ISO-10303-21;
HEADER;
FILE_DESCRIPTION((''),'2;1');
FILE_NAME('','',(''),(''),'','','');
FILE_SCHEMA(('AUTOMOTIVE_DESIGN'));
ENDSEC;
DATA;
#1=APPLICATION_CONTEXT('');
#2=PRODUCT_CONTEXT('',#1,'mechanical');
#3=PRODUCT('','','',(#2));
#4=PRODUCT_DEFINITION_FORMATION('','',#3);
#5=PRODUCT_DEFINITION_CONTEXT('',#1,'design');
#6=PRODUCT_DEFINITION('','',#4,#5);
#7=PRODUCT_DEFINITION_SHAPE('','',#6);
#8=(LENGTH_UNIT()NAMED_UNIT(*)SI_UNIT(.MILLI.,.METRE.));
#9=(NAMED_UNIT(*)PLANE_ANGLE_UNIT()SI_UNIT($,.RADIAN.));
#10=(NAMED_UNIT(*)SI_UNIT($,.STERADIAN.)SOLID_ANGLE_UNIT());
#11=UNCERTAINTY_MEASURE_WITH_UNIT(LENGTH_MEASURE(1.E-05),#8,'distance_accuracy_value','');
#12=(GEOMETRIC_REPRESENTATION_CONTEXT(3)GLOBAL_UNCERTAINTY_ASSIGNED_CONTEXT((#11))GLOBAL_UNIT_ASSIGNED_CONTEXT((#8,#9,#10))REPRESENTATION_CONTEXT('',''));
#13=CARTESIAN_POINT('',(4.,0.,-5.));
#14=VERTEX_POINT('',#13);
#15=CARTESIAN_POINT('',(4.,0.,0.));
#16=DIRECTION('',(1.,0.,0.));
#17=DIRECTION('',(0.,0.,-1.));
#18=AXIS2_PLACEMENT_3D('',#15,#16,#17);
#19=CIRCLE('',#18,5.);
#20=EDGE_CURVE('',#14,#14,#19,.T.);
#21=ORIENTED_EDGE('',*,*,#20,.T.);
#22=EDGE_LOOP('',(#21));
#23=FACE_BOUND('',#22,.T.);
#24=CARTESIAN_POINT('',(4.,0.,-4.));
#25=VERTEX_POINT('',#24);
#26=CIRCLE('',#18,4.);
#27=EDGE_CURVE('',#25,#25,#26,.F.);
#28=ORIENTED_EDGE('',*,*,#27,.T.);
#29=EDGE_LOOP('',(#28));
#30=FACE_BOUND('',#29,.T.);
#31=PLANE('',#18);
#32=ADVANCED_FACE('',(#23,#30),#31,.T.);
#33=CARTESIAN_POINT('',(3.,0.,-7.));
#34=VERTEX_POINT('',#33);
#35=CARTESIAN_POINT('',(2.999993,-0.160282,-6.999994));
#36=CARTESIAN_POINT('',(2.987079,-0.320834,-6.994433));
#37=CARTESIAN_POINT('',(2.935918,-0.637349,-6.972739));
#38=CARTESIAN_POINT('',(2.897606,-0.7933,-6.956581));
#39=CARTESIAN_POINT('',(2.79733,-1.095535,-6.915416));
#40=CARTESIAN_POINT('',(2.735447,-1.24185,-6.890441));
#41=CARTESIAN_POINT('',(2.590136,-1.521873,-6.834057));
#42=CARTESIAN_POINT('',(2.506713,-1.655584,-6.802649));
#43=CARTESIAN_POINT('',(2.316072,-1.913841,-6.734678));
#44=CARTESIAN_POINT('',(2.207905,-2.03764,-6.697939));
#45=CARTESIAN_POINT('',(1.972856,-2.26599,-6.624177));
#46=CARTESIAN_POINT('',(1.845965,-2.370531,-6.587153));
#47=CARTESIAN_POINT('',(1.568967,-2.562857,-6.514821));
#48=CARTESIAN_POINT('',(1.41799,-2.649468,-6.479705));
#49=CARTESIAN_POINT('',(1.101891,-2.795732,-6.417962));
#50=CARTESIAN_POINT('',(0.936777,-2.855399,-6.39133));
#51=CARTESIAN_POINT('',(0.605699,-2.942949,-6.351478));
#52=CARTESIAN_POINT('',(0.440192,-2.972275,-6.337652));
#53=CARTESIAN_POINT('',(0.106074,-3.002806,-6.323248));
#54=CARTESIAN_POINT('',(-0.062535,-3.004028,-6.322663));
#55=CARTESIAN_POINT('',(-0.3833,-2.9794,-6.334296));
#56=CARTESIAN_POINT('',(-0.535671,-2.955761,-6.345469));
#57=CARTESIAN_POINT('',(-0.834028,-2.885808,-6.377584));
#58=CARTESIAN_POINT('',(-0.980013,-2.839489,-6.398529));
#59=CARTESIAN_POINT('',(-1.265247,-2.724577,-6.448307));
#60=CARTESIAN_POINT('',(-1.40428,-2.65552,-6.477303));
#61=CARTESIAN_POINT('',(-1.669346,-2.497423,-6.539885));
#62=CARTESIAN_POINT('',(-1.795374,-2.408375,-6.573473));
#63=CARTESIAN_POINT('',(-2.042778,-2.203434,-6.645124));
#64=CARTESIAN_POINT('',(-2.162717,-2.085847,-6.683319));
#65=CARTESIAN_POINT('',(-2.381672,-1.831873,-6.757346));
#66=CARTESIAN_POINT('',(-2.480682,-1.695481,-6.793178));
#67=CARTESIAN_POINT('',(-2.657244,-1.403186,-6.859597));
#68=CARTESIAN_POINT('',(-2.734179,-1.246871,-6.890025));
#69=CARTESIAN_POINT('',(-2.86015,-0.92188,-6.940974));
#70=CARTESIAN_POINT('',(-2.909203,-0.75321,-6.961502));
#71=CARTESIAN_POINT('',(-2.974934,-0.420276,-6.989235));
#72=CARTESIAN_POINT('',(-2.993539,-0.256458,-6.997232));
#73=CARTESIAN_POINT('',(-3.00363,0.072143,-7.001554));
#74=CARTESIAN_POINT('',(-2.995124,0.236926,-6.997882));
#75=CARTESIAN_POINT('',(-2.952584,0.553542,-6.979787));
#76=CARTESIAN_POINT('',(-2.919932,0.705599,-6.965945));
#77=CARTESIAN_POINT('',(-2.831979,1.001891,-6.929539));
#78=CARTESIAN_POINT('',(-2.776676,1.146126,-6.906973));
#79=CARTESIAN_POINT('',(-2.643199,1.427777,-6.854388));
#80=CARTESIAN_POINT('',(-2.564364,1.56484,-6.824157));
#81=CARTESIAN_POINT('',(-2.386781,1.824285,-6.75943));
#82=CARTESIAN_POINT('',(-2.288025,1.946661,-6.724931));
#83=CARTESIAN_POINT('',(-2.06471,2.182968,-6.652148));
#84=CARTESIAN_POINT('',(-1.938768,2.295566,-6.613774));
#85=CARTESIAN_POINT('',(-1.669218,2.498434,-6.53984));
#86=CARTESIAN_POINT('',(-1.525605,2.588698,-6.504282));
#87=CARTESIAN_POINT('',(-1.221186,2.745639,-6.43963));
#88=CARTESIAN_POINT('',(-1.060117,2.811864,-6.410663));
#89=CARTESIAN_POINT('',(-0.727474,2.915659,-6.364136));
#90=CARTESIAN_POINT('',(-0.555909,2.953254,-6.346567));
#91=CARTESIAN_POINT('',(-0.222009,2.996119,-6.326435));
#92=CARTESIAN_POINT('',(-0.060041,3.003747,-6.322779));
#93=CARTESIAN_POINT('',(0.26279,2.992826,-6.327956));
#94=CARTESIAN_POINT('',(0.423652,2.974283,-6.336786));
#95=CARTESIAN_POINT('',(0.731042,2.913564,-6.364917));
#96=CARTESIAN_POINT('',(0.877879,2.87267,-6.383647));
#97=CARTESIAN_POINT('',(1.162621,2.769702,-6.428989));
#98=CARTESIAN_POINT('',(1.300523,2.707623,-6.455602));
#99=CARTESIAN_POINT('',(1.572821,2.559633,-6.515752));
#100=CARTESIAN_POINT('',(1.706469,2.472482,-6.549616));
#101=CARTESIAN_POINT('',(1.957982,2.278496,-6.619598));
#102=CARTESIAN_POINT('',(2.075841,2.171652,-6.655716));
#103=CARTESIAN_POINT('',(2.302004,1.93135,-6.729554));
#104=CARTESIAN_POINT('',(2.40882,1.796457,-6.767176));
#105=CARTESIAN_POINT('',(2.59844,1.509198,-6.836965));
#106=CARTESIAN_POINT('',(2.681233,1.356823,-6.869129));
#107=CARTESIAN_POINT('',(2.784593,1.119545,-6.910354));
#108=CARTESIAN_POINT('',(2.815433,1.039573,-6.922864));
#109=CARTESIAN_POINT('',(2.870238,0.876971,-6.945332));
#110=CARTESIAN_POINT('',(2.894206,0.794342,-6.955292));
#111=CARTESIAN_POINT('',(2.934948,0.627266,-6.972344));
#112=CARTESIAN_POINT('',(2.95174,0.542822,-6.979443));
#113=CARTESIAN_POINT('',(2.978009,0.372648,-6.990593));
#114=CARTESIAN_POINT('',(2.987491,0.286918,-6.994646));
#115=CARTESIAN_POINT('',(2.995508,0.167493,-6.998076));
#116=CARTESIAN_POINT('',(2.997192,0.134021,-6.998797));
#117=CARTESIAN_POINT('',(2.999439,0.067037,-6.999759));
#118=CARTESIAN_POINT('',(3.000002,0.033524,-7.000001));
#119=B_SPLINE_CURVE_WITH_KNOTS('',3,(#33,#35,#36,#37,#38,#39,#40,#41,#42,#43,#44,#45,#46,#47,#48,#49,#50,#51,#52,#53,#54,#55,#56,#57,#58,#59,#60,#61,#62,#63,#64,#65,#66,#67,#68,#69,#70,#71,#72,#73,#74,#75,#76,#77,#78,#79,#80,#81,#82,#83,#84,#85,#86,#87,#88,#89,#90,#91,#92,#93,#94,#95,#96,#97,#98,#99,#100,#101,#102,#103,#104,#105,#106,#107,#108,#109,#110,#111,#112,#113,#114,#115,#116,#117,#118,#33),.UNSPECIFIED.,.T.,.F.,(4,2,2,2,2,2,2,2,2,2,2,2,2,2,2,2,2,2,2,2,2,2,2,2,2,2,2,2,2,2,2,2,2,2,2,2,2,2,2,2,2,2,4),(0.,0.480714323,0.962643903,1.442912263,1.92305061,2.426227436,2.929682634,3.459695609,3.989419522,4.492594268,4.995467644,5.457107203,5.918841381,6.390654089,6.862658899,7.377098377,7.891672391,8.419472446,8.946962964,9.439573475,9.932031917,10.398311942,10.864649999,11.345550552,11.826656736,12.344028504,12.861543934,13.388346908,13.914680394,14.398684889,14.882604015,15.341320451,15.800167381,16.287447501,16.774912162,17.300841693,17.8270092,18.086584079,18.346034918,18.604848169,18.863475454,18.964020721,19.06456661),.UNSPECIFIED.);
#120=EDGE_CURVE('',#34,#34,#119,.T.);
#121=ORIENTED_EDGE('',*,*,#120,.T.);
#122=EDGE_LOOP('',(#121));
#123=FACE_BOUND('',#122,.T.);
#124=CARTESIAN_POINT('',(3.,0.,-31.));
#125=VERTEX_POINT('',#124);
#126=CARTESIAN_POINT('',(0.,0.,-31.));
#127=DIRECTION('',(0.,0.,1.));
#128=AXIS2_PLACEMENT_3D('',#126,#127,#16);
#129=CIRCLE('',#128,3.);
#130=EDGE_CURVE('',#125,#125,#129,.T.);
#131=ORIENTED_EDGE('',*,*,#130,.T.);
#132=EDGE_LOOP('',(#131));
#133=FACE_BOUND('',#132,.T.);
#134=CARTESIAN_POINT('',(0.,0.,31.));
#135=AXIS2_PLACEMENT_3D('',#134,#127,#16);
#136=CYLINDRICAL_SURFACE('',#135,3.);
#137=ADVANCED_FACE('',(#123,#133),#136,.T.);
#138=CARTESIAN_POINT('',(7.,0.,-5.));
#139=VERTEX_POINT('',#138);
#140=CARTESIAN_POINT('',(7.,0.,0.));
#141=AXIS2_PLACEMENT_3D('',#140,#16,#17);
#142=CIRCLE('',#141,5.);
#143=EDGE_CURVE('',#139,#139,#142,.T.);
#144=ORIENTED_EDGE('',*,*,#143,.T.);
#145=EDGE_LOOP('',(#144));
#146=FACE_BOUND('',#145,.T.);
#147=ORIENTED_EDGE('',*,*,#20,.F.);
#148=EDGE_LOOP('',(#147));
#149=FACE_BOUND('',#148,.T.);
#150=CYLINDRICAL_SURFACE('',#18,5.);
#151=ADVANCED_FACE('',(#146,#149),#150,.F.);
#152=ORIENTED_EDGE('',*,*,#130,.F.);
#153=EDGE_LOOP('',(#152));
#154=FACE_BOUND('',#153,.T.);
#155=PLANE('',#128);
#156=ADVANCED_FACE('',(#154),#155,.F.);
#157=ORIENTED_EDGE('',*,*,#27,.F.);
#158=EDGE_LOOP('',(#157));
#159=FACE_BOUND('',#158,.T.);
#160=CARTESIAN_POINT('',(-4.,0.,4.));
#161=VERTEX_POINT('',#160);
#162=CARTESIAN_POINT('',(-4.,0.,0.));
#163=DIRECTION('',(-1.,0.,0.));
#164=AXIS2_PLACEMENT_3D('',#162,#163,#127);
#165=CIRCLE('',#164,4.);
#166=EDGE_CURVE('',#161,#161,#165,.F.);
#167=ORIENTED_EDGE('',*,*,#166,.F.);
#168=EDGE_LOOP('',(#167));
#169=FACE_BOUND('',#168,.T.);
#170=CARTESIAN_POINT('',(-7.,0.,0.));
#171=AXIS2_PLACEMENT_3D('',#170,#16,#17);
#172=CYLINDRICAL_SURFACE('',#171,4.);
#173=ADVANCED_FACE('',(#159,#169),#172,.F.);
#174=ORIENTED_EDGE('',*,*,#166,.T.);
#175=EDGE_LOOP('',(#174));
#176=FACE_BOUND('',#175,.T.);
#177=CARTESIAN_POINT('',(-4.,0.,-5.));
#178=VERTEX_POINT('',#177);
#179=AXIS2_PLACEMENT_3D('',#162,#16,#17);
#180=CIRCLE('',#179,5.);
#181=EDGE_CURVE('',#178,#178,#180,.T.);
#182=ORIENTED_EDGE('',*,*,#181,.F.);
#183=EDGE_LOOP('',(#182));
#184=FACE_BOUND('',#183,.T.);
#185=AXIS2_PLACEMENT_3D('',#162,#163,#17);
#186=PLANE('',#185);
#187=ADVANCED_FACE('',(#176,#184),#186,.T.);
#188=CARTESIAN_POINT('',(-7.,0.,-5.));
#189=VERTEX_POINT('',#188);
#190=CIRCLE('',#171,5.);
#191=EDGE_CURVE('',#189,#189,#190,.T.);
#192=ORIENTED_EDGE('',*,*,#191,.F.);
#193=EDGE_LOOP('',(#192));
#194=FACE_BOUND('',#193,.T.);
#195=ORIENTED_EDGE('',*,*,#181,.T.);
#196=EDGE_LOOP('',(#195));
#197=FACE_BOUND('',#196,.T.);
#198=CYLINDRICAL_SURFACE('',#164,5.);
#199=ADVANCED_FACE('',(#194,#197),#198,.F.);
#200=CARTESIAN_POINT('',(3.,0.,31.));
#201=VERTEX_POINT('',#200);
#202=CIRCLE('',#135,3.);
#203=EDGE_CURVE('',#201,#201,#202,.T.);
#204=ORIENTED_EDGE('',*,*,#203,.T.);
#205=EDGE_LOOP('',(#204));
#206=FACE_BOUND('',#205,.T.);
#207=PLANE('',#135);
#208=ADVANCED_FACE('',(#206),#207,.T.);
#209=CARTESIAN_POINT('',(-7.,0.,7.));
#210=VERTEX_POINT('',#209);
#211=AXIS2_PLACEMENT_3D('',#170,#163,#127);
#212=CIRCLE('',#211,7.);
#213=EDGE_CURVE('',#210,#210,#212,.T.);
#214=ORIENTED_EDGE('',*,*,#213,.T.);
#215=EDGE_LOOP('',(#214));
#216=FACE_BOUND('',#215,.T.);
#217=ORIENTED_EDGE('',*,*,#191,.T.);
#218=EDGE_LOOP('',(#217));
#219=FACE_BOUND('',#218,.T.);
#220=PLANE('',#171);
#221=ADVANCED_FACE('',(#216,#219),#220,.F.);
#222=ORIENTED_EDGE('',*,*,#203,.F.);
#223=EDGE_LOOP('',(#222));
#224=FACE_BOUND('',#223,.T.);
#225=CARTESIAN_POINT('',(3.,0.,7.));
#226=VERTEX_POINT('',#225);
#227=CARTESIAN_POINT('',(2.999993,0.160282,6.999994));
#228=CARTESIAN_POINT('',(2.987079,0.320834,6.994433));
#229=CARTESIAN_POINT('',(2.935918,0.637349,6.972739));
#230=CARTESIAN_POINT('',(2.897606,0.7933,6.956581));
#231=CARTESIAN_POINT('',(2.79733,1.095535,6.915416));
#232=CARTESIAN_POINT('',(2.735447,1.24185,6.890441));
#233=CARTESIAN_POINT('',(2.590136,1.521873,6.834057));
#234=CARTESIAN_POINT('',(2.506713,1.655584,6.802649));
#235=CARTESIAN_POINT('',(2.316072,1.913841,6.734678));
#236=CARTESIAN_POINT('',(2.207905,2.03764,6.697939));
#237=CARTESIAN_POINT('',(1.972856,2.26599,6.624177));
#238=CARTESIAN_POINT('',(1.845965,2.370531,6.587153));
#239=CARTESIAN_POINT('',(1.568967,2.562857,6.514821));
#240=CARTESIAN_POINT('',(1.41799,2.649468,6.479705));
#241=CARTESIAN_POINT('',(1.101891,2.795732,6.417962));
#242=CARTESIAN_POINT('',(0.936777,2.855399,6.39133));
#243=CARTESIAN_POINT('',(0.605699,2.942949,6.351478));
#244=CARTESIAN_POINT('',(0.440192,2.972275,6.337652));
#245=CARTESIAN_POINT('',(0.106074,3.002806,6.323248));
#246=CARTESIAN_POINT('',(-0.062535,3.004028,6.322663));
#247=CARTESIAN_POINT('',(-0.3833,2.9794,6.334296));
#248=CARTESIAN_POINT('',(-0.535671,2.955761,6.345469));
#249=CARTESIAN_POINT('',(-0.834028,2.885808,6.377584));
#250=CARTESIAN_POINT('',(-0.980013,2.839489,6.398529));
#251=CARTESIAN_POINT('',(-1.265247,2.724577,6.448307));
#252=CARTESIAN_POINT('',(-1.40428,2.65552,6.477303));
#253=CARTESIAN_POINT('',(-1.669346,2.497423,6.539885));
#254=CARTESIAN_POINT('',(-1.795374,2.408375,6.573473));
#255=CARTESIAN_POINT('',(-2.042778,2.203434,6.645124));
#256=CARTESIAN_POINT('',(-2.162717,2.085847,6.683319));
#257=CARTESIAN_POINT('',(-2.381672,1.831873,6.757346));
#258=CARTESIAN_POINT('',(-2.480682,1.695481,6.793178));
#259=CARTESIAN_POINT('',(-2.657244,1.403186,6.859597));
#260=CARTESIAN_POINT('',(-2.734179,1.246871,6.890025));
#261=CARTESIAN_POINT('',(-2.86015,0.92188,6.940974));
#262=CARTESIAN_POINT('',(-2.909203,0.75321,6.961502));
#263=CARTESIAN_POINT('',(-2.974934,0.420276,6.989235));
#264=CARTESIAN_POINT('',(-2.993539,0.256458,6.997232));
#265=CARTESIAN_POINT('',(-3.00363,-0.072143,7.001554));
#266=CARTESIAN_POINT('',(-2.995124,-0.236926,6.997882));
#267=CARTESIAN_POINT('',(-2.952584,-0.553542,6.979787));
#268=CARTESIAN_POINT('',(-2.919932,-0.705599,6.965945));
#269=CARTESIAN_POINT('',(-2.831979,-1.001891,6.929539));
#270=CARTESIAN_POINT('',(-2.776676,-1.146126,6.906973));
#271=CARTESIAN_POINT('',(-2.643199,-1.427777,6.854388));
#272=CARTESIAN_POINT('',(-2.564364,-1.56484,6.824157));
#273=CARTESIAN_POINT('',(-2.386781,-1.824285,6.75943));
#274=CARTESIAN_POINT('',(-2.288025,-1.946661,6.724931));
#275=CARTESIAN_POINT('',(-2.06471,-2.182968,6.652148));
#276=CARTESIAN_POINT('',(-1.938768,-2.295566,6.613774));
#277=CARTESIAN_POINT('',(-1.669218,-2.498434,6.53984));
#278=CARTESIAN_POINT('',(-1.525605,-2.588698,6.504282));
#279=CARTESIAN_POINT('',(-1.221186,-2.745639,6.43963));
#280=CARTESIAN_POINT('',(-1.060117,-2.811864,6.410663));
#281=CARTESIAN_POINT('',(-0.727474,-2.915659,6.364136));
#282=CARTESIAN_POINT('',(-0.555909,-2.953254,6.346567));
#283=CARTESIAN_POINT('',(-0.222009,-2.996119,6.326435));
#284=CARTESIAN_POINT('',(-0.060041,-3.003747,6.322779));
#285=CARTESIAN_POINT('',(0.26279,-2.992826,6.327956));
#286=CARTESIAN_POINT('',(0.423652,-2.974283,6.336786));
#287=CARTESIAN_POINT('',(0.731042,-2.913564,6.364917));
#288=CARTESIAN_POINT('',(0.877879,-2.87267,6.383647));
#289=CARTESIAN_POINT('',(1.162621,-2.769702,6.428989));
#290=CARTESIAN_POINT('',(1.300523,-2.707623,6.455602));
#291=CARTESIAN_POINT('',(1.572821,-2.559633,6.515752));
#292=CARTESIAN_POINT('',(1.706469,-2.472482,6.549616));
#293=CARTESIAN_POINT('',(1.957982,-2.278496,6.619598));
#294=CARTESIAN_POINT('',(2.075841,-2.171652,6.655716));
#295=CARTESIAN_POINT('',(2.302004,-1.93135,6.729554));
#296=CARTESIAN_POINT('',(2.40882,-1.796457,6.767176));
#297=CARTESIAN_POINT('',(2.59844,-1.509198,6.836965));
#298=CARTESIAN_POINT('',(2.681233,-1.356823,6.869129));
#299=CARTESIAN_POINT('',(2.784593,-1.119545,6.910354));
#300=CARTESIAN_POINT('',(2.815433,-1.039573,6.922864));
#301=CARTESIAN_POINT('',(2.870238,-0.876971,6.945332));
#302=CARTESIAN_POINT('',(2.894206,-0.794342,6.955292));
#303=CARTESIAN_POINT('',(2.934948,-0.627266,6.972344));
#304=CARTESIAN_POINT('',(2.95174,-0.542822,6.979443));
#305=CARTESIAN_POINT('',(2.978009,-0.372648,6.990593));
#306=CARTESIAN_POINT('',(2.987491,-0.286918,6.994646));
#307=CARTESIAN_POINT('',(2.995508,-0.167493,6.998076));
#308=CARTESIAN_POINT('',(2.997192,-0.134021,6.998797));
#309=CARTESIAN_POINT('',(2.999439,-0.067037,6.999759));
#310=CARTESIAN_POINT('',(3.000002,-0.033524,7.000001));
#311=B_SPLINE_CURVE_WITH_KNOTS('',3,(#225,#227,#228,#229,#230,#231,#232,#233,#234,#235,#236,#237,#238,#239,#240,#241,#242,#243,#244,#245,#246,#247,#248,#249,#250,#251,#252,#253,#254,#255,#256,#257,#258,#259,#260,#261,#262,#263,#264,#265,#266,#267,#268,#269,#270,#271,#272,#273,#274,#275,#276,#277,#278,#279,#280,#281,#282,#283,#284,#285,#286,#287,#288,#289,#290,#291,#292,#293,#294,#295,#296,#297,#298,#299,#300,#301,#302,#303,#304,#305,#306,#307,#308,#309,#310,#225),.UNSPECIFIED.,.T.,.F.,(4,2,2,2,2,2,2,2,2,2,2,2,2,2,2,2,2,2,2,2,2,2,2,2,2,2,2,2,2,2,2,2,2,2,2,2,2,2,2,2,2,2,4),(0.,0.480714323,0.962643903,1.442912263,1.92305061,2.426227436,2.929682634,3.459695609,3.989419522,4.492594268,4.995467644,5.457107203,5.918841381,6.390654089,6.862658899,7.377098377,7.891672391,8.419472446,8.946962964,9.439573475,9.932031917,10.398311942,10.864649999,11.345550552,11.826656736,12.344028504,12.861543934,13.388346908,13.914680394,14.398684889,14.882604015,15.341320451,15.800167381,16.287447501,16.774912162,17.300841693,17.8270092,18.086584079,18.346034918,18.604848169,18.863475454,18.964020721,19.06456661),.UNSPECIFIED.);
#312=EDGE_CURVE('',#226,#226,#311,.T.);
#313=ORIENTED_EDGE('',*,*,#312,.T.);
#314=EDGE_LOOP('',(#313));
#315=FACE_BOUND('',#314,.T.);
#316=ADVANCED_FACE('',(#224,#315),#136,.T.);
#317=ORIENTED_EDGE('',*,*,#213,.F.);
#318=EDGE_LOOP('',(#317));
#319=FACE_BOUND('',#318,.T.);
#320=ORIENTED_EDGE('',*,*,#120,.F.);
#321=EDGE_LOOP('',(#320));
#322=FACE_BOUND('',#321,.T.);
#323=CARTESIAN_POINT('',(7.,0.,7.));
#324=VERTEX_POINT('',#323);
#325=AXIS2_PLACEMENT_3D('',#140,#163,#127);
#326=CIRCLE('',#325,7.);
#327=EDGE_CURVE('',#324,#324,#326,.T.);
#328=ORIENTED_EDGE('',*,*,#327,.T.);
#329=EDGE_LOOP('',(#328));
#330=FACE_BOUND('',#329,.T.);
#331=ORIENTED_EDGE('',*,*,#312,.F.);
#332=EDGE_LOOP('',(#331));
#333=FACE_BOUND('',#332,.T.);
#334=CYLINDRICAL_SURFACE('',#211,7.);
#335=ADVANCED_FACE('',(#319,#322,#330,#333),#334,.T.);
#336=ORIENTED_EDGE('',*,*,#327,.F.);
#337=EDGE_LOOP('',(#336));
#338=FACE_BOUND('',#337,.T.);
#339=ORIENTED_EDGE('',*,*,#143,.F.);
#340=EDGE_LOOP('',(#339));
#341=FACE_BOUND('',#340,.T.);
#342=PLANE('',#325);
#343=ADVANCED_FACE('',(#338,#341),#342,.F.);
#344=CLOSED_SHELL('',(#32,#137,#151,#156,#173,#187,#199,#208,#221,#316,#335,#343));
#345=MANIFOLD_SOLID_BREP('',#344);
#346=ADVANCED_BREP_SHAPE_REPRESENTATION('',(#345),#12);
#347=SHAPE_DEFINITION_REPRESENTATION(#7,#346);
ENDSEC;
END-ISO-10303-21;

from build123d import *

# Parameters (mm, degrees)
SKETCH_1_W          = 14
SKETCH_1_H          = 7
SKETCH_2_W          = 62
SKETCH_2_H          = 3
SKETCH_3_R          = 4
CUT_EXTRUDE_1_DEPTH = 35.727510858
SKETCH_5_R          = 5
CUT_EXTRUDE_2_DEPTH = 3


with BuildPart() as part:
    # 草图1 → 旋转1 (revolve)
    with BuildSketch(Plane.XY, mode=Mode.PRIVATE) as revolve_1_sk:
        with Locations((0, 3.5)):
            Rectangle(SKETCH_1_W, SKETCH_1_H)
    revolve(revolve_1_sk.sketch.rotate(Axis((-7, 0, 0), (1, 0, 0)), 90), axis=Axis((-7, 0, 0), (1, 0, 0)))

    # 草图2 → 旋转3 (revolve)
    with BuildSketch(Plane(origin=(0, 0, 0), x_dir=(0, 0, -1), z_dir=(1, 0, 0)), mode=Mode.PRIVATE) as revolve_3_sk:
        with Locations((0, 1.5)):
            Rectangle(SKETCH_2_W, SKETCH_2_H)
    revolve(revolve_3_sk.sketch.rotate(Axis((0, 0, 31), (0, 0, -1)), 90), axis=Axis((0, 0, 31), (0, 0, -1)))

    # 草图3 → 切除-拉伸1 (cut, through all)
    with BuildSketch(Plane(origin=(7, 0, 0), x_dir=(0, 0, -1), z_dir=(1, 0, 0))):
        Circle(SKETCH_3_R)
    extrude(amount=-CUT_EXTRUDE_1_DEPTH, mode=Mode.SUBTRACT)

    # 草图5 → 切除-拉伸2 (cut)
    with BuildSketch(Plane(origin=(7, 0, 0), x_dir=(0, 0, -1), z_dir=(1, 0, 0))):
        Circle(SKETCH_5_R)
    cut_extrude_2 = extrude(amount=-CUT_EXTRUDE_2_DEPTH, mode=Mode.SUBTRACT)

    # 镜向1: 切除-拉伸2 across plane
    add(cut_extrude_2.mirror(Plane(origin=(0, 0, 0), x_dir=(0, 0, 1), z_dir=(1, 0, 0))), mode=Mode.SUBTRACT)


solid = part.part
